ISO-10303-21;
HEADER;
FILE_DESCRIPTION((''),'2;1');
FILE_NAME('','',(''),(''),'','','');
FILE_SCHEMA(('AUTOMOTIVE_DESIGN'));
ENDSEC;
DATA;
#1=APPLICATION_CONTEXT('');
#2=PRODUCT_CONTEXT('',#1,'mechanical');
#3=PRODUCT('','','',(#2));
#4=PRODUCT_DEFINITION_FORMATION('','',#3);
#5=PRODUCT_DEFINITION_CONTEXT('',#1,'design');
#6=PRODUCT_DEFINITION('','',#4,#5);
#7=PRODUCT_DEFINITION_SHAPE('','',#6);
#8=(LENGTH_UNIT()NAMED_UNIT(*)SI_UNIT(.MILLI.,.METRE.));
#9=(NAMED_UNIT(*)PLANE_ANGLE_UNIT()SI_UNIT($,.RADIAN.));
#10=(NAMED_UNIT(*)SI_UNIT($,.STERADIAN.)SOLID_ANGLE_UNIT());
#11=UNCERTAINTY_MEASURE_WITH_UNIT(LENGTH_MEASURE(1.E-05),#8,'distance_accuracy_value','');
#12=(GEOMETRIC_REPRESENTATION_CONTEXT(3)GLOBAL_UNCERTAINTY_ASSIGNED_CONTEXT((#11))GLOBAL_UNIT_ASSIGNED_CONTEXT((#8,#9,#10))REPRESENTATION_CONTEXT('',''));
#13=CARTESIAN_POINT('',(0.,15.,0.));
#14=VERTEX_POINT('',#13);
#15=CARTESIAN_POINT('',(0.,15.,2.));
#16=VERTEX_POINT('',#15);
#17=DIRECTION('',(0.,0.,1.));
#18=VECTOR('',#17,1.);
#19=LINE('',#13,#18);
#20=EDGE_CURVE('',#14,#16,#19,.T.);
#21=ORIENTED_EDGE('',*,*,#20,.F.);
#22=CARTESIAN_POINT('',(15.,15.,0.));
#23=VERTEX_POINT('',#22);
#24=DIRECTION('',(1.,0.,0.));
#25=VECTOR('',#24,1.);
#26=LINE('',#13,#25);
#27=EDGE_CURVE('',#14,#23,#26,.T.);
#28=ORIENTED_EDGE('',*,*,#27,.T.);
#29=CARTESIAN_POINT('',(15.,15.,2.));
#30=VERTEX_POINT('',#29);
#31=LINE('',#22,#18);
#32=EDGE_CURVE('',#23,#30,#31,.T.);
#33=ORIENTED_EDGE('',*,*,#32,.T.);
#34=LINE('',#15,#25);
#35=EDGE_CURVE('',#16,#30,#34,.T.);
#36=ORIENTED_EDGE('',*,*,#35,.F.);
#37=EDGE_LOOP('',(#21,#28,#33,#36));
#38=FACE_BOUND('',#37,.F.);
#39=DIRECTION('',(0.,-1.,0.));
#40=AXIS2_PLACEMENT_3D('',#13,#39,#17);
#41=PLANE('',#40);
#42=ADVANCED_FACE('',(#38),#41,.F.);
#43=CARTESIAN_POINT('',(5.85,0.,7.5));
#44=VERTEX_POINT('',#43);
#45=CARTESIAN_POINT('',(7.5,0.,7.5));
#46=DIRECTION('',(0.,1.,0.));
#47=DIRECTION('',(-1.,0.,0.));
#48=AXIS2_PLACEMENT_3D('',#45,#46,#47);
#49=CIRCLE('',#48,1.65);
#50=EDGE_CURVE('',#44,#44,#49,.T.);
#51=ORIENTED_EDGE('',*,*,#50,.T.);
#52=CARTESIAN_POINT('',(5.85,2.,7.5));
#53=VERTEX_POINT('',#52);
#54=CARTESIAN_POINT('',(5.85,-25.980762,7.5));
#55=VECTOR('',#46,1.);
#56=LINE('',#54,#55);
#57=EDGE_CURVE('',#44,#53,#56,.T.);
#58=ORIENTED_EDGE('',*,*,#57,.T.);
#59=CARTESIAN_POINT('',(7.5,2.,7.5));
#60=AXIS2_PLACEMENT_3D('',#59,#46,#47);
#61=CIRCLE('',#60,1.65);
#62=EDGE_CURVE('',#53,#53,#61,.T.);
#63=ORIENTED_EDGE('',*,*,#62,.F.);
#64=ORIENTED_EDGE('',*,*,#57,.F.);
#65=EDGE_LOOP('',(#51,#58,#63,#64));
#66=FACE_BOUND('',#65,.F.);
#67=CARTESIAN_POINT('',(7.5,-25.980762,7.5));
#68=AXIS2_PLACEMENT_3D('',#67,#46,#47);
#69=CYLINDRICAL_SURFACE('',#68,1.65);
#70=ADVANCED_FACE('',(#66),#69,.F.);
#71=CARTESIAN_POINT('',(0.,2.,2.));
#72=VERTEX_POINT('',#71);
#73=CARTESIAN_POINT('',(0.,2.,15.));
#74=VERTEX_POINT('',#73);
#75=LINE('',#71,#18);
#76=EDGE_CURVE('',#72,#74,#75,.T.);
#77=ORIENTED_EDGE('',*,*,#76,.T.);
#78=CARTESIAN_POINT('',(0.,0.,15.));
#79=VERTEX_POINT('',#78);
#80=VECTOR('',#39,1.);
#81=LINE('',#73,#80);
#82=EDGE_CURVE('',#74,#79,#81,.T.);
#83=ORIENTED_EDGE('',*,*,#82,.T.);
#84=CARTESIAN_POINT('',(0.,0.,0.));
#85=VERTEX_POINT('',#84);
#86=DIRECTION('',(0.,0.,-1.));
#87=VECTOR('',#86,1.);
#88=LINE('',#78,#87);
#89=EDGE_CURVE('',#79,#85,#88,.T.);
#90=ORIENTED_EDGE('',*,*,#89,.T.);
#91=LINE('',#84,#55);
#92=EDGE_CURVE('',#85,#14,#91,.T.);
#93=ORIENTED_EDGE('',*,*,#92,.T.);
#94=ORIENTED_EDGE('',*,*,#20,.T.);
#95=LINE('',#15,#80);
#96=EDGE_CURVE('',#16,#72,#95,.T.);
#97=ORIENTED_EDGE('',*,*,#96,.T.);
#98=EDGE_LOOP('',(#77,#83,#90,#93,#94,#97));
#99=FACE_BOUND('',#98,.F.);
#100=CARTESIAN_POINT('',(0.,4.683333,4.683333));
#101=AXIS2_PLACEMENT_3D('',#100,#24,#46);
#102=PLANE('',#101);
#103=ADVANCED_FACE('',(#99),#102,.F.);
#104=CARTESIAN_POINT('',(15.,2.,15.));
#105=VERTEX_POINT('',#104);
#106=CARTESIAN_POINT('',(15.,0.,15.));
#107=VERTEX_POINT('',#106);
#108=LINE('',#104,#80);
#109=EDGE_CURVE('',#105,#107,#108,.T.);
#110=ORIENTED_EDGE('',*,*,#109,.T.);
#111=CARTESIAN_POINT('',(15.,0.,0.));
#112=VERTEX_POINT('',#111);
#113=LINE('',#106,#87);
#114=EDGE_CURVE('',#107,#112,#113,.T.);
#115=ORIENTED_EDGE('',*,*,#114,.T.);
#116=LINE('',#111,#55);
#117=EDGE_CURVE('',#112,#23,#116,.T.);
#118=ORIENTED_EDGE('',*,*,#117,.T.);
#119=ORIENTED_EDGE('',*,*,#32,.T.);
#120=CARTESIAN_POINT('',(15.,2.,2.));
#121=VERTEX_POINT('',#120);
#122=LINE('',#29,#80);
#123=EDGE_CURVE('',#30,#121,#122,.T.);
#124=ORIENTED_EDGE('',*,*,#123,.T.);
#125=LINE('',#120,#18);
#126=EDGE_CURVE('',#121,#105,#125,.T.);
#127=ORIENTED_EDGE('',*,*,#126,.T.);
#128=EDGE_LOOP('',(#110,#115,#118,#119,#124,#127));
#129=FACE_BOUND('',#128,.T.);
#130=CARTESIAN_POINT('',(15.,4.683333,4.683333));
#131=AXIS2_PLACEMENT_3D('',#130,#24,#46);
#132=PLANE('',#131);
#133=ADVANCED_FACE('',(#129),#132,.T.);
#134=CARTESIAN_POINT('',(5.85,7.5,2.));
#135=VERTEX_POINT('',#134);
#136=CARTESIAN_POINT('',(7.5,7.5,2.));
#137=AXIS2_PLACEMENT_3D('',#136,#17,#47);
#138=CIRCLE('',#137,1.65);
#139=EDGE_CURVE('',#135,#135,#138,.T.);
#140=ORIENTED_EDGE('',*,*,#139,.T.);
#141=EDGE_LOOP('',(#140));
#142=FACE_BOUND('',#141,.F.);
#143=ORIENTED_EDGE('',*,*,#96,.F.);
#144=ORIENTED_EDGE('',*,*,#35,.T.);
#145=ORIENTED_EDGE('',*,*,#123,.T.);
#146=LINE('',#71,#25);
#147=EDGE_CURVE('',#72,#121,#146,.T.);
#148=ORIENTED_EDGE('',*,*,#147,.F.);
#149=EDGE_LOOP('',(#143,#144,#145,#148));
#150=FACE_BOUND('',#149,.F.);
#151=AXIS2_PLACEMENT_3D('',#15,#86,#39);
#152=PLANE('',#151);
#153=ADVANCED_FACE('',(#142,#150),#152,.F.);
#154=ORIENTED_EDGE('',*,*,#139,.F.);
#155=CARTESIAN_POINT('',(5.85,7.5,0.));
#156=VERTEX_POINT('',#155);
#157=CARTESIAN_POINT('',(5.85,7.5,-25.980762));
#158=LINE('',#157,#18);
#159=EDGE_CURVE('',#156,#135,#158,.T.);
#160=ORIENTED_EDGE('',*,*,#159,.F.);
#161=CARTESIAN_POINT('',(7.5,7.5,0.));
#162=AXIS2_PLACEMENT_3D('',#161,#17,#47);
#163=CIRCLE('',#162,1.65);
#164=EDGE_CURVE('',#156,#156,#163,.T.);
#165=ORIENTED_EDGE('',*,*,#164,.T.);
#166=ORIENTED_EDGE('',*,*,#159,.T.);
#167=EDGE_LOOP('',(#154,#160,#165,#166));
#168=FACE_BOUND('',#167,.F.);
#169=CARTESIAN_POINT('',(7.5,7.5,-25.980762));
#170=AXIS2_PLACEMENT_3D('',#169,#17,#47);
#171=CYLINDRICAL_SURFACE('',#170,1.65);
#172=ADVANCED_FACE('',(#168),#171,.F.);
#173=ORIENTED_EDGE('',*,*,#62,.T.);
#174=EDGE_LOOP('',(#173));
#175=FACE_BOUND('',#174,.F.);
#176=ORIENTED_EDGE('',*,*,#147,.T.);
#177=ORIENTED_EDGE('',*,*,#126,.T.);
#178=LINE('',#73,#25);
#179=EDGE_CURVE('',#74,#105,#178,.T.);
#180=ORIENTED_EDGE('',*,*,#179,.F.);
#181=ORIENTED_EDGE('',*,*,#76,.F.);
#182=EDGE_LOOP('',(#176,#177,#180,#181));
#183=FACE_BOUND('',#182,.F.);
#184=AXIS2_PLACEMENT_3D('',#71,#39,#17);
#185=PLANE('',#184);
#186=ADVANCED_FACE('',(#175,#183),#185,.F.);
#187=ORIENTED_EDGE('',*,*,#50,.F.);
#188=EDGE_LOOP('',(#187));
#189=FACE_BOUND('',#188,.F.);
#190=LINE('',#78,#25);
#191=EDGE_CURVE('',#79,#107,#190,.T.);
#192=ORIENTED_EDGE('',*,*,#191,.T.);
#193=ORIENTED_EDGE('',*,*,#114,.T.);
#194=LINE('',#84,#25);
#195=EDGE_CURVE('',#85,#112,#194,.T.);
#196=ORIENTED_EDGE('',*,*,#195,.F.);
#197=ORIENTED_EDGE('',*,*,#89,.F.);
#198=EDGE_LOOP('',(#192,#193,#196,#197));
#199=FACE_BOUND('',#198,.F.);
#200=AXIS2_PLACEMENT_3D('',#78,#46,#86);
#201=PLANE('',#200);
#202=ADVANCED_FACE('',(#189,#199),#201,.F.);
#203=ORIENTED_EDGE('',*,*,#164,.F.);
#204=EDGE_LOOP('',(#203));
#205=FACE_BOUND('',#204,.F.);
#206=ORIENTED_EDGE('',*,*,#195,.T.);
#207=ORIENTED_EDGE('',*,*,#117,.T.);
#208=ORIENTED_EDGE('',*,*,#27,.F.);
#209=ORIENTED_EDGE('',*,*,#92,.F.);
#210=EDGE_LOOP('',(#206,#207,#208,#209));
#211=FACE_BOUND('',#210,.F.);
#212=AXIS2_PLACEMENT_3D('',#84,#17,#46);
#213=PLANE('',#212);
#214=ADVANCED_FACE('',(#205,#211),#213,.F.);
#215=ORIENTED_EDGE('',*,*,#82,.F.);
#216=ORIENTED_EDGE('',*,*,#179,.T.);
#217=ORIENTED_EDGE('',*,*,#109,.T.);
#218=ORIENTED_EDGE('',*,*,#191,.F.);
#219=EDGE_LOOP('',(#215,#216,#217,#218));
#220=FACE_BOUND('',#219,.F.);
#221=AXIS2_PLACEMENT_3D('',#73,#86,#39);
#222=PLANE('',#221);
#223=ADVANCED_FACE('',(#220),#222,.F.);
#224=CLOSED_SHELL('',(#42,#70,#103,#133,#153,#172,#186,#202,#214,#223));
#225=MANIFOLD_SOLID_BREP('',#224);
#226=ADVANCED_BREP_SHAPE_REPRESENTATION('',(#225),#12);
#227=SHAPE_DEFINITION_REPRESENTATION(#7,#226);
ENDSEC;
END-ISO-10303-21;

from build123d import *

# Parameters (mm, degrees)
F1_DEPTH = 15
F3_D     = 3.3
F5_D     = 3.3


with BuildPart() as f1:
    # F0 (on Right) → F1 (new body)
    with BuildSketch(Plane.YZ):
        Polygon((0, 15), (0, 0), (15, 0), (15, 2), (2, 2), (2, 15), align=None)
    extrude(amount=F1_DEPTH)

    # F3 (through all)
    with Locations(Plane(origin=(0, 0, 0), x_dir=(1, 0, 0), z_dir=(0, 0, -1))):
        with Locations((7.5, -7.5)):
            Hole(F3_D / 2)

    # F5 (through all)
    with Locations(Plane.XZ):
        with Locations((7.5, 7.5)):
            Hole(F5_D / 2)


solid = f1.part
